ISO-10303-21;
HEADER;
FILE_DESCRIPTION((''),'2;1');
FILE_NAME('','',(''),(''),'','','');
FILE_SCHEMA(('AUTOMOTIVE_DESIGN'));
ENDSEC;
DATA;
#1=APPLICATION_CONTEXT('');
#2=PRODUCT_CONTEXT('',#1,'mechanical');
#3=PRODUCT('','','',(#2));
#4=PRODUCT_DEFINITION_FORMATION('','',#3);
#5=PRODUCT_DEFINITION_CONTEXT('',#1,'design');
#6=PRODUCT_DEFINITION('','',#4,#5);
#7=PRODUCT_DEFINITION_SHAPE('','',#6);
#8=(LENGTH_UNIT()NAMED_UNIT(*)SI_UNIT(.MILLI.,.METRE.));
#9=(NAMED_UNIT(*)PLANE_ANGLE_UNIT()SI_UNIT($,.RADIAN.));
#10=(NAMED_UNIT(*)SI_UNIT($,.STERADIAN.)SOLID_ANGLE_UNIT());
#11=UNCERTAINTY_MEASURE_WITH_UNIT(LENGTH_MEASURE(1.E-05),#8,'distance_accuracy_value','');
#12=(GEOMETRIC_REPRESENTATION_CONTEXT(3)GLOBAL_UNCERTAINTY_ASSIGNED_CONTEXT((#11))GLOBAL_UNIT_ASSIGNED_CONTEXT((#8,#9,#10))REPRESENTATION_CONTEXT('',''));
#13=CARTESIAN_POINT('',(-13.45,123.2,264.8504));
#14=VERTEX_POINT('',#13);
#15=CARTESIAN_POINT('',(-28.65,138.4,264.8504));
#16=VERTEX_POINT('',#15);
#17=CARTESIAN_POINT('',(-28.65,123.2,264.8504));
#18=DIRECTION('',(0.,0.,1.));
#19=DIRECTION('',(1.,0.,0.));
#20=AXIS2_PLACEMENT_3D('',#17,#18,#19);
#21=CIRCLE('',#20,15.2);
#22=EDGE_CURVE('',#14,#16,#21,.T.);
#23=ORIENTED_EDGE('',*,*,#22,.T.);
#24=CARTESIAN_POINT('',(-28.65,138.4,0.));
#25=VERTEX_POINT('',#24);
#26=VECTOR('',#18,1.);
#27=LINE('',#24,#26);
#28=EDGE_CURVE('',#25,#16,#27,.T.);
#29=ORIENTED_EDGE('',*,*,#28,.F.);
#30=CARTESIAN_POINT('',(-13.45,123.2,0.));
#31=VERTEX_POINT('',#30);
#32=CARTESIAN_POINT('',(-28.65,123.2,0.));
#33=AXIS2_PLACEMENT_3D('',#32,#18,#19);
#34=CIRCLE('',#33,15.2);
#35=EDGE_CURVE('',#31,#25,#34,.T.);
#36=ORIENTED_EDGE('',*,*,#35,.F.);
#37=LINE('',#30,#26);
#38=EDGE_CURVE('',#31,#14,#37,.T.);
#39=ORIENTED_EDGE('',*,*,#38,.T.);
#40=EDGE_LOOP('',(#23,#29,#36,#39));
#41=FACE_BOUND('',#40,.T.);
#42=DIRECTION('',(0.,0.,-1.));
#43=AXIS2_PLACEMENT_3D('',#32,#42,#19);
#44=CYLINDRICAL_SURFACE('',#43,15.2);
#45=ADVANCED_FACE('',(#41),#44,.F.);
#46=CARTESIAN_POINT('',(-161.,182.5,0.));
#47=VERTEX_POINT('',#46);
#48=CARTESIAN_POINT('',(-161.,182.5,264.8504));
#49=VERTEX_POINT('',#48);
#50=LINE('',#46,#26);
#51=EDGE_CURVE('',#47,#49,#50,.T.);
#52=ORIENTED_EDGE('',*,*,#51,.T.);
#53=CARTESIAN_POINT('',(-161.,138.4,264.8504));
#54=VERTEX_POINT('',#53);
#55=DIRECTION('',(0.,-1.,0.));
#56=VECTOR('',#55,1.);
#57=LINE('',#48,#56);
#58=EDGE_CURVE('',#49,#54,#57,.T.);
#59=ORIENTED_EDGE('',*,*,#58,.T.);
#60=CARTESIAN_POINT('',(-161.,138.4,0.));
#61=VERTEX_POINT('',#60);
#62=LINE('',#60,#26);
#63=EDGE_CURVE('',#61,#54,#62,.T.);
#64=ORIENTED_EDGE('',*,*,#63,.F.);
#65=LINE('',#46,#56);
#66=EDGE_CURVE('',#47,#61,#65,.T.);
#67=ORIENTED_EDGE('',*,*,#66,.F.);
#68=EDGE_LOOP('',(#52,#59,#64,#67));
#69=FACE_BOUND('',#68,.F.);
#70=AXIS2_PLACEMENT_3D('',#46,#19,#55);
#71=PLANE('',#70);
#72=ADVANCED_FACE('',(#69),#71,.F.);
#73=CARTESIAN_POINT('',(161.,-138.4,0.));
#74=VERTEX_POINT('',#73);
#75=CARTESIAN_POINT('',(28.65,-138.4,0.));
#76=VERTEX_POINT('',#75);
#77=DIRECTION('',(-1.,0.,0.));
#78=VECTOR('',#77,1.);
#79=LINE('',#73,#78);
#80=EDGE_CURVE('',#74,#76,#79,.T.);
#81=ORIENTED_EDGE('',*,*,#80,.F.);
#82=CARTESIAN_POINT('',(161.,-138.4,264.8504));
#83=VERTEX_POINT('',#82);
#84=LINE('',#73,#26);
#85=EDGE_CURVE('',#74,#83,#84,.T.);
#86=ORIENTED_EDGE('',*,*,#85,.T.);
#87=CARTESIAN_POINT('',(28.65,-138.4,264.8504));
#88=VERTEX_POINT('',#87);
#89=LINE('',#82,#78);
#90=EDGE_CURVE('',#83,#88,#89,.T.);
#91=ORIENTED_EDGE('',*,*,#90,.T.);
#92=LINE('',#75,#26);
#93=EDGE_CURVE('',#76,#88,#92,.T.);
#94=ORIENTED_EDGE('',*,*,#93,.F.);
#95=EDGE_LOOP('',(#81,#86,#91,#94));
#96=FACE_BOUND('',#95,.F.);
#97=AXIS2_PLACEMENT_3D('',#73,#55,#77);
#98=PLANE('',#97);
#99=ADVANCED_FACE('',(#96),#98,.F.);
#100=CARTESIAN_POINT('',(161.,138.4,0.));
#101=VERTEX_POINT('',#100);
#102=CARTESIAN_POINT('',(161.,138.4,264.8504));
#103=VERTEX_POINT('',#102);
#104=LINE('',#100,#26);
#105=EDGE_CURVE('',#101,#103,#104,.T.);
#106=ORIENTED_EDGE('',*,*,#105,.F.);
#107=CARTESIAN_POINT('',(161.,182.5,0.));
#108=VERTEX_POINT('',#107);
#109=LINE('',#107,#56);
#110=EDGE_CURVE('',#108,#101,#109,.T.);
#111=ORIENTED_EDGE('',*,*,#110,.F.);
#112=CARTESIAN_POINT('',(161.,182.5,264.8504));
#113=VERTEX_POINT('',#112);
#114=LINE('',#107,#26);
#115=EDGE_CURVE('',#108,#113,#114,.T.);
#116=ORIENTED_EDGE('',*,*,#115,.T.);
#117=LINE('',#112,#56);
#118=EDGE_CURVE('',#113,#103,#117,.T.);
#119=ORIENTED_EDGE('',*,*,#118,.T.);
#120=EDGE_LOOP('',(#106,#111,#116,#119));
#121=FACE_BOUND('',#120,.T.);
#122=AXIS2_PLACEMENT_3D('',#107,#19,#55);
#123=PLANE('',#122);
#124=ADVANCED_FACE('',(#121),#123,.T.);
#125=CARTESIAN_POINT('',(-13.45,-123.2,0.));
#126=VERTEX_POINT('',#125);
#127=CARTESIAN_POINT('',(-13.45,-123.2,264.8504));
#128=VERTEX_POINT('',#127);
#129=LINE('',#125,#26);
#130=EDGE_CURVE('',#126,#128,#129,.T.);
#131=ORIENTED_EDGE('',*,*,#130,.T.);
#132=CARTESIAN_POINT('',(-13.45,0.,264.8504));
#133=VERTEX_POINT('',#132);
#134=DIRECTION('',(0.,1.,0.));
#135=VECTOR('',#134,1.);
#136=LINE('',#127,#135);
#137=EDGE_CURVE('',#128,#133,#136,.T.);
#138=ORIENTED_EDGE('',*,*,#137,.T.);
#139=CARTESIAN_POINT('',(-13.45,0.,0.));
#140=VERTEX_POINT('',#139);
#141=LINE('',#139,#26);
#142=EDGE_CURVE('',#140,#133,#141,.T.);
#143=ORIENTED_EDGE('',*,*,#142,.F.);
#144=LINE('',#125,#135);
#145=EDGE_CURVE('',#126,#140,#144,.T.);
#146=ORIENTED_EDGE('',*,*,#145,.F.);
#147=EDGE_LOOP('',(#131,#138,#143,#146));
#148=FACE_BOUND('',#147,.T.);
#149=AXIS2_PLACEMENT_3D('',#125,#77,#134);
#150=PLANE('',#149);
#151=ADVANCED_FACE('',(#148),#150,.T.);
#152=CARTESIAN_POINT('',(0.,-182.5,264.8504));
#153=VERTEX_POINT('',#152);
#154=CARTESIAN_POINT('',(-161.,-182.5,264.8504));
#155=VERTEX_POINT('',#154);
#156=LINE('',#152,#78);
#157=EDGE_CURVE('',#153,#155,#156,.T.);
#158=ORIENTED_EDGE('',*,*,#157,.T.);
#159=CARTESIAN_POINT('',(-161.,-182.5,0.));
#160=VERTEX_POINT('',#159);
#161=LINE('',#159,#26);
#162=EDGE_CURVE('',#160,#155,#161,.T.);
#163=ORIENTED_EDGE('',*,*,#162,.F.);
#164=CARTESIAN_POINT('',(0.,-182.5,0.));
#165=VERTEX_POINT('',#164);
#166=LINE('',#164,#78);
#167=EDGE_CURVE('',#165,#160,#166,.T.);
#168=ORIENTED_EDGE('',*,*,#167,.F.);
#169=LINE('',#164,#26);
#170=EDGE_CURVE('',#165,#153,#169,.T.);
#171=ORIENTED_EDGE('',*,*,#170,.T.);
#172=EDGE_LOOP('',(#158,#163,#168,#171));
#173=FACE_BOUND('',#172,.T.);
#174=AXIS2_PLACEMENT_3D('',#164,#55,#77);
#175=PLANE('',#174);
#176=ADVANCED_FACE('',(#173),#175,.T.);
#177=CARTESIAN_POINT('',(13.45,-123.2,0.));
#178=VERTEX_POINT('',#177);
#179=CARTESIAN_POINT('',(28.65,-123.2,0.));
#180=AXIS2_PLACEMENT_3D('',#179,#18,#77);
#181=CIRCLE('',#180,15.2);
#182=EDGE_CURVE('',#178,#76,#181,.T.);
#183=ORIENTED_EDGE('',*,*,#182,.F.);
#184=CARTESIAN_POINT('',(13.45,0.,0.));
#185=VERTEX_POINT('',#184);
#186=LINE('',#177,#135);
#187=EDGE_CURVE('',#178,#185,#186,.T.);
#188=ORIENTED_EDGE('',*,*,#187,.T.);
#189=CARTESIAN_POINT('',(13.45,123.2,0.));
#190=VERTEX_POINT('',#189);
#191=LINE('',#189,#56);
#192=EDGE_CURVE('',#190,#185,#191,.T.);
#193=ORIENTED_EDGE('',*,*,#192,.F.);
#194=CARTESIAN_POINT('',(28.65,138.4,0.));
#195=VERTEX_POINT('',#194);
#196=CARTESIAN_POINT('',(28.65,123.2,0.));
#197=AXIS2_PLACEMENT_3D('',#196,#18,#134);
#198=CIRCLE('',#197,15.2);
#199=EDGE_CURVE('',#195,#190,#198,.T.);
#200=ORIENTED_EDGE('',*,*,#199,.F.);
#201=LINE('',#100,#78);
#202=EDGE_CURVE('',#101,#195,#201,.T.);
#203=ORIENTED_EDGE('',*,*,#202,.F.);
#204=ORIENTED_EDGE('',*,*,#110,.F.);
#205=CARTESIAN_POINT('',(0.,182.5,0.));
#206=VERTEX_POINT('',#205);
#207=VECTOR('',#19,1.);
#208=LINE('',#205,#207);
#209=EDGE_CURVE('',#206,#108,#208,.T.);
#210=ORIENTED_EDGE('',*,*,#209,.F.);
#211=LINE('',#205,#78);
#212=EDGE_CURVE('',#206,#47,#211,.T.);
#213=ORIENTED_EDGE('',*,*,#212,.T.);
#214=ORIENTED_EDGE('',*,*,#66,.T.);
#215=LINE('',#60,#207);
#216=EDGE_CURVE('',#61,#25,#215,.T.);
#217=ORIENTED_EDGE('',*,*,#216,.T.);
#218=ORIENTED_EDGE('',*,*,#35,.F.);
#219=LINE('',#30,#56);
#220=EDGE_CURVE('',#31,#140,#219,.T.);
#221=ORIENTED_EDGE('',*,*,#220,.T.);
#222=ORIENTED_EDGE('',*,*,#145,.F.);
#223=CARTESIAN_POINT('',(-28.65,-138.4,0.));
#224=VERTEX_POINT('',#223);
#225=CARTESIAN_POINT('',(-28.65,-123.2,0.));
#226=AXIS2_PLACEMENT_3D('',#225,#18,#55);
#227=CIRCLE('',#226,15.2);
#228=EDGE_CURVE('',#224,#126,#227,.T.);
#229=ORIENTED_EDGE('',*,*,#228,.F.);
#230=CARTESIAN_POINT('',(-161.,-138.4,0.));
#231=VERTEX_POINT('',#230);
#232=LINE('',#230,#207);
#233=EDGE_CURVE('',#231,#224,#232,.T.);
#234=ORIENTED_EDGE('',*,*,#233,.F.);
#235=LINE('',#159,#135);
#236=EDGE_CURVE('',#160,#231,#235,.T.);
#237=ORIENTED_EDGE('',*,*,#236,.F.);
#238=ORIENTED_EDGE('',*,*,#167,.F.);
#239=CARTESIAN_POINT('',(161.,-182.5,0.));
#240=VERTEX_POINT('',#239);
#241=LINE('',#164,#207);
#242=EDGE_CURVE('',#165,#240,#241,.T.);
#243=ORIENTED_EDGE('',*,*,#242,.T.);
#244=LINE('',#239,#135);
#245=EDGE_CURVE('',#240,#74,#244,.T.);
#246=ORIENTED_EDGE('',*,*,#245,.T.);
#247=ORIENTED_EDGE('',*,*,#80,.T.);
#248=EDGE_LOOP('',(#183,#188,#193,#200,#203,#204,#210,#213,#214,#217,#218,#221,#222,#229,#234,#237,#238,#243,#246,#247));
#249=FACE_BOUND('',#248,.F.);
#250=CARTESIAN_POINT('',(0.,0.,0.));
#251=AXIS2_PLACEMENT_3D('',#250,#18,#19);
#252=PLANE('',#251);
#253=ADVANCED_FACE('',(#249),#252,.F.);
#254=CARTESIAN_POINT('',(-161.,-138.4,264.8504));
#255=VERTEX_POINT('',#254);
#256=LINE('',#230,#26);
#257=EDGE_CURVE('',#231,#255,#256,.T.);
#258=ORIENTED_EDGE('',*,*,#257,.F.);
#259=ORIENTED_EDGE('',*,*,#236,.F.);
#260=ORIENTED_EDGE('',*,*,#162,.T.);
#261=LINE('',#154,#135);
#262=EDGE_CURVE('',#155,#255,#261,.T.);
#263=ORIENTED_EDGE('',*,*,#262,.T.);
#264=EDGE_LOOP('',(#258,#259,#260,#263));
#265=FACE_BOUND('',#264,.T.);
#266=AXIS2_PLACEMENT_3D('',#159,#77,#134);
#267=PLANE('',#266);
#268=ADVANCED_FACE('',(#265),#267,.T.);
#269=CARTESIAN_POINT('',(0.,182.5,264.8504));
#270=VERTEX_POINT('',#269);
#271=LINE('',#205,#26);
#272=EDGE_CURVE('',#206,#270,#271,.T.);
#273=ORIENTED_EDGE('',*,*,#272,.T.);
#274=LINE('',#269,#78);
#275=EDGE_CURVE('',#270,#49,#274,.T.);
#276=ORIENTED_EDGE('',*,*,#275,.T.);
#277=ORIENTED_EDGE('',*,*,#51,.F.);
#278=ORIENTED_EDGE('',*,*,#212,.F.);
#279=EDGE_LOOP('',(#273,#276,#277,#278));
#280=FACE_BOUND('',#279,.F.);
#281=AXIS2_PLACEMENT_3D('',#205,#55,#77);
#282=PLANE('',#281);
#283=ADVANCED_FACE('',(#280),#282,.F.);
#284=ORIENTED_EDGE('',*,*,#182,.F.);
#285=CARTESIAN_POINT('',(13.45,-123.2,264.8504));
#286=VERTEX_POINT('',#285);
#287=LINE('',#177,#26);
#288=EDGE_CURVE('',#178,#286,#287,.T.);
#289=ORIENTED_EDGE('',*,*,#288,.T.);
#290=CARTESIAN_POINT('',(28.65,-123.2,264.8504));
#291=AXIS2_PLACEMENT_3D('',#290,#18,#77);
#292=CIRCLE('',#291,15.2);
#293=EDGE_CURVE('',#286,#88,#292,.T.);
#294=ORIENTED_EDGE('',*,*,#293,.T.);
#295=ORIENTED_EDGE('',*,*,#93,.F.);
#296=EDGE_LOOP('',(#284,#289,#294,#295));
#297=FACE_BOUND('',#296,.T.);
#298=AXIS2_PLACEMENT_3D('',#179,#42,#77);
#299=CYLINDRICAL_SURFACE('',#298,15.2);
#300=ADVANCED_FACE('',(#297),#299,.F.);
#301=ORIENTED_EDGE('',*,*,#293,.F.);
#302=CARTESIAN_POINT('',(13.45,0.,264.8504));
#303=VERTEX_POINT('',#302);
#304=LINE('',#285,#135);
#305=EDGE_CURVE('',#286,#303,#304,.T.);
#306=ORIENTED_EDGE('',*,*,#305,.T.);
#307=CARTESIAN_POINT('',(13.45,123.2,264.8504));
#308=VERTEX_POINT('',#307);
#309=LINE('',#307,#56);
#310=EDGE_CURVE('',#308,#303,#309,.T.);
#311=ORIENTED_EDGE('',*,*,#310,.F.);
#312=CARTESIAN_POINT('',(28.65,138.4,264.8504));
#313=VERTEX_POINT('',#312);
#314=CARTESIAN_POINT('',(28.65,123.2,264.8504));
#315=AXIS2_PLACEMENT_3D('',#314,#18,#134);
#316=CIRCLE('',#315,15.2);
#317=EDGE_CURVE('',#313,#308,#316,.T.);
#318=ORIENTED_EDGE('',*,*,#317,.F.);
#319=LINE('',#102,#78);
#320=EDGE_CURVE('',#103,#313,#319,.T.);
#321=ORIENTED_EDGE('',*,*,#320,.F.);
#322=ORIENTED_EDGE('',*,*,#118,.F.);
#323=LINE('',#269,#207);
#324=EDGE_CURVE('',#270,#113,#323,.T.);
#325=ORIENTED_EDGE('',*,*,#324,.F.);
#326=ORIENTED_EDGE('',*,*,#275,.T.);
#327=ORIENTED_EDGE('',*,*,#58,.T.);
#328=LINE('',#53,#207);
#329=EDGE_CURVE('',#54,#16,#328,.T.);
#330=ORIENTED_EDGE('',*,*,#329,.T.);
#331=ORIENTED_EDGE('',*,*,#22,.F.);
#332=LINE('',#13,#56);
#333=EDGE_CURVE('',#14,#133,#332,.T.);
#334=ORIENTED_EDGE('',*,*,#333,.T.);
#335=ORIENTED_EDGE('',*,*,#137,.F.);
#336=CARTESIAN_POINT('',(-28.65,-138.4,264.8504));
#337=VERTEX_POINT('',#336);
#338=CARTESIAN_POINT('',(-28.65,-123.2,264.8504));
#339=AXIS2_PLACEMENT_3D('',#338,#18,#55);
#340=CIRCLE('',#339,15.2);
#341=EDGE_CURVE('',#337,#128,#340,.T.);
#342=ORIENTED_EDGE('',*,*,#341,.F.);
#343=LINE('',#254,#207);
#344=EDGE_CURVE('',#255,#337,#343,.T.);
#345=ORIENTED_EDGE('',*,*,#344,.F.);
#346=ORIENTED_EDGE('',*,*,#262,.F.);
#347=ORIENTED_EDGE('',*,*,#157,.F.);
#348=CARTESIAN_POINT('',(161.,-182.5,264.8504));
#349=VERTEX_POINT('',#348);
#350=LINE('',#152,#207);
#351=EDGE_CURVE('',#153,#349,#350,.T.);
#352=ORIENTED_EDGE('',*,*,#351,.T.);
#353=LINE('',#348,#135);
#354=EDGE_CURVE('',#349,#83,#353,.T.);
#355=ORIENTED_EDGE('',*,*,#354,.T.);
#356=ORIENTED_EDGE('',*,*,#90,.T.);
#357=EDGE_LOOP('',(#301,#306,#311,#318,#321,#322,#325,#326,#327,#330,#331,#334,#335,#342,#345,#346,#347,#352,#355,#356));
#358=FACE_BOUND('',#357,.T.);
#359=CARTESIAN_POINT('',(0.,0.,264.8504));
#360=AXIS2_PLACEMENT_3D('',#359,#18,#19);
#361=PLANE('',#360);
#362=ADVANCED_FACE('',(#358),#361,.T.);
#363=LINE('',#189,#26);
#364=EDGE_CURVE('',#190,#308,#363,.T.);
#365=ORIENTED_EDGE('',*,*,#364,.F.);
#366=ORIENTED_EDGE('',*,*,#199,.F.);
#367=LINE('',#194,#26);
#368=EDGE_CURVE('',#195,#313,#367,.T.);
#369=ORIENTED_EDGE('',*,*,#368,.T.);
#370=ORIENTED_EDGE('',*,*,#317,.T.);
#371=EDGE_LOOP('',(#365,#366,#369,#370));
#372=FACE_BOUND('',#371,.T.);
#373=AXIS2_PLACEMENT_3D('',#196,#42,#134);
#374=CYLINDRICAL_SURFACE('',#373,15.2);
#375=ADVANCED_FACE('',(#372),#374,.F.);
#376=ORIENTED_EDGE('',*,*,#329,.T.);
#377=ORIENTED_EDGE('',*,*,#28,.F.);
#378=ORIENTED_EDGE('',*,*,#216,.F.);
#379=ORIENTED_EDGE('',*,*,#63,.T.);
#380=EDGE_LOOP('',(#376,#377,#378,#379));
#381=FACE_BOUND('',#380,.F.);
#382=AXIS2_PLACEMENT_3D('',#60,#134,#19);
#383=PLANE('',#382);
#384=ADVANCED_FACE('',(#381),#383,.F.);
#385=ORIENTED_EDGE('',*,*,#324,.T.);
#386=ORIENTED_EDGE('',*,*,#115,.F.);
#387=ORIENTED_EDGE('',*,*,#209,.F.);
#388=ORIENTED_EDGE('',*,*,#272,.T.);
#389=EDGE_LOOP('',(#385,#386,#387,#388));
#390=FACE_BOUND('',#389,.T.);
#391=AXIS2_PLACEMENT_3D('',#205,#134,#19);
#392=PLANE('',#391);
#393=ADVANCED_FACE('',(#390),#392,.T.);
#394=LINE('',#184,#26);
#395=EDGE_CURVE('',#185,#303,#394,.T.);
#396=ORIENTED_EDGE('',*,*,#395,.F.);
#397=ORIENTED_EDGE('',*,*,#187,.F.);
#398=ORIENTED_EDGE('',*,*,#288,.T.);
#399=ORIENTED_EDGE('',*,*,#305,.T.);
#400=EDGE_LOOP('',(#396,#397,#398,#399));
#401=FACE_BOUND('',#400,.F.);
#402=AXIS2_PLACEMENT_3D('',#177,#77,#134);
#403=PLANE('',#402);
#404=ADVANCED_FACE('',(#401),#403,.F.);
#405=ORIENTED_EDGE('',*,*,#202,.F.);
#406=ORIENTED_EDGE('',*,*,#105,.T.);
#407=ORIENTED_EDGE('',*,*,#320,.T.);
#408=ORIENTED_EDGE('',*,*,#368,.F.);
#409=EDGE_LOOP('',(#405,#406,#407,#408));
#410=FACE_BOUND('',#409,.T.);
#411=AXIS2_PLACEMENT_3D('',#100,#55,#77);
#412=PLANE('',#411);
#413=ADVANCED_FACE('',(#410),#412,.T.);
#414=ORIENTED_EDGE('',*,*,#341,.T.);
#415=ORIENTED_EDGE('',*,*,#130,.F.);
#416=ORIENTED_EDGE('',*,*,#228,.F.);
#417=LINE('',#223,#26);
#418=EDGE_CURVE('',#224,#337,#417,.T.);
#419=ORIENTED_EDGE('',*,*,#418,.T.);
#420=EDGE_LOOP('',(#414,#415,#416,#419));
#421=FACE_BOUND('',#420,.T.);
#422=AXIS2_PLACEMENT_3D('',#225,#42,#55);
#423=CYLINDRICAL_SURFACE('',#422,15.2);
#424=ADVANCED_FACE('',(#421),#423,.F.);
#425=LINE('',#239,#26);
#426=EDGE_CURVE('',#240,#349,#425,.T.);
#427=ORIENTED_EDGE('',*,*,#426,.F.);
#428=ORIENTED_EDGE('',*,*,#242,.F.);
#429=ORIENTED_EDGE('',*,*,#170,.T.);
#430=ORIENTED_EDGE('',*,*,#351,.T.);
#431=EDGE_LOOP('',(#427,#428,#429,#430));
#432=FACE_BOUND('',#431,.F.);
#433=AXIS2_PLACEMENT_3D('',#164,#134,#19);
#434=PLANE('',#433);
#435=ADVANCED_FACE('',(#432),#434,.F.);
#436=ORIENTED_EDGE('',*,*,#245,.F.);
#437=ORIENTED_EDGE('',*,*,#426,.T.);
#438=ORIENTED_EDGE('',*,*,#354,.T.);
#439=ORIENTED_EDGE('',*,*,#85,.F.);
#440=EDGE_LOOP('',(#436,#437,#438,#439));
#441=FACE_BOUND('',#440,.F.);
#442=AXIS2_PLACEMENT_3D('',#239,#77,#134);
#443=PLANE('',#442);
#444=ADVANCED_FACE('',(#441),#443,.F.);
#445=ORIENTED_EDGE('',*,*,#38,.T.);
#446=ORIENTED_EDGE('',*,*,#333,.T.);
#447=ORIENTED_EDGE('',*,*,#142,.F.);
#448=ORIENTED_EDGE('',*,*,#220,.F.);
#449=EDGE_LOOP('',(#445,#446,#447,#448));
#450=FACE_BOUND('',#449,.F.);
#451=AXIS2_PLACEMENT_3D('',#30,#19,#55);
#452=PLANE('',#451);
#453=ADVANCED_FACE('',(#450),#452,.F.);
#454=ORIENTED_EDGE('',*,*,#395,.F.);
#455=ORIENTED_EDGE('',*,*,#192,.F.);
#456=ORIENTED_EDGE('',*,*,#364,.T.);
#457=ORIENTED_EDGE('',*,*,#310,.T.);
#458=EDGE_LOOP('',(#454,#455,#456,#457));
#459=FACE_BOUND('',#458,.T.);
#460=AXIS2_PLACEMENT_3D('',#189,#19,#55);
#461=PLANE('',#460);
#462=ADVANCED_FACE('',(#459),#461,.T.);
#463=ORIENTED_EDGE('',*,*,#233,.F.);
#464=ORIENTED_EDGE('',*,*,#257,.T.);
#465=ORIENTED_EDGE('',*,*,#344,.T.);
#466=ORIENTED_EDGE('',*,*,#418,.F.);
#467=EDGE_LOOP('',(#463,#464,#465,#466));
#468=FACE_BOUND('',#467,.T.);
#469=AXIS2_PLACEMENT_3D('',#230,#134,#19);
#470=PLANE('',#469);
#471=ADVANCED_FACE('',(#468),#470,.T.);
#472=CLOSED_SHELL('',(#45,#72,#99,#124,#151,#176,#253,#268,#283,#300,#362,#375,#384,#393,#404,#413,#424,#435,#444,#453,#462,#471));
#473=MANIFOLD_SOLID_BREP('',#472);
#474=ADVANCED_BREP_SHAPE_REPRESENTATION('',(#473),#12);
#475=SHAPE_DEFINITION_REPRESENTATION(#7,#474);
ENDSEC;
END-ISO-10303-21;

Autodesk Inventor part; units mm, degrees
ref_plane "YZ Plane" through (0, 0, 0) normal (1, 0, 0) x (0, 1, 0)
ref_plane "Start plane" through (0, 0, 0) normal (0, 0, 1) x (1, 0, 0)
ref_plane "End plane" through (0, 0, 264.8504) normal (0, 0, 1) x (1, 0, 0)
sketch "Sketch" plane through (0, 0, 0) normal (0, 0, 1) x (1, 0, 0)
  line L0 (-161, -182.5) -> (-161, -138.4)
  line L1 (-161, -138.4) -> (-28.65, -138.4)
  line L2 (-13.45, -123.2) -> (-13.45, 0)
  line L3 (-13.45, 0) -> (0, 0) construction
  line L4 (0, 0) -> (0, -182.5) construction
  line L5 (0, -182.5) -> (-161, -182.5)
  line L6 (-60, 0) -> (80, 0) construction
  line L7 (0, -60) -> (0, 80) construction
  line L8 (161, -182.5) -> (161, -138.4)
  line L9 (161, -138.4) -> (28.65, -138.4)
  line L10 (13.45, -123.2) -> (13.45, 0)
  line L11 (13.45, 0) -> (0, 0) construction
  line L12 (0, -182.5) -> (161, -182.5)
  line L13 (-161, 182.5) -> (-161, 138.4)
  line L14 (-161, 138.4) -> (-28.65, 138.4)
  line L15 (-13.45, 123.2) -> (-13.45, 0)
  line L16 (0, 182.5) -> (-161, 182.5)
  line L17 (161, 182.5) -> (161, 138.4)
  line L18 (161, 138.4) -> (28.65, 138.4)
  line L19 (0, 182.5) -> (161, 182.5)
  line L20 (13.45, 123.2) -> (13.45, 0)
  arc A0 (-13.45, 123.2) -> (-28.65, 138.4) centre (-28.65, 123.2) ccw
  arc A1 (28.65, 138.4) -> (13.45, 123.2) centre (28.65, 123.2) ccw
  arc A2 (13.45, -123.2) -> (28.65, -138.4) centre (28.65, -123.2) ccw
  arc A3 (-28.65, -138.4) -> (-13.45, -123.2) centre (-28.65, -123.2) ccw
  line L21 (0, 108) -> (0, -88) construction
  line L22 (-88, 0) -> (108, 0) construction
  point P0 (-13.45, -138.4)
  point P1 (13.45, -138.4)
  point P2 (-13.45, 138.4)
  point P3 (13.45, 138.4)
  dimension "d1" = 182.5
  dimension "d2" = 44.1
  dimension "d3" = 161
  dimension "d4" = 13.45
  dimension "d10" = 15.2
extrude "Body" add sketch "Sketch" along normal up to surface (264.8504 mm away) from surface at 0
sketch "Sketch4" plane through (0, 0, 0) normal (0, 0, 1) x (1, 0, 0)
  line L0 (0, 0) -> (10, 0)
ref_plane "Work Plane3" through (0, 0, 0) normal (0, -1, 0) x (1, 0, 0)
sketch "Sketch5" plane through (0, 0, 0) normal (0, -1, 0) x (1, 0, 0)
  line L0 (-2, 0) -> (12, 0) projected
  line L1 (-2, 264.8504) -> (12, 264.8504) projected
  dimension "d14" = 264.8504
equation "\"d1\" = 0.5 * G_H"
equation "\"d2\" = G_T1"
equation "\"d3\" = 0.5 * G_W"
equation "\"d4\" = 0.5 * G_T"
equation "\"d10\" = G_IR"
equation "\"d5\" = G_L"
equation "\"G_W\" = 322"
equation "\"G_H\" = 365"
equation "\"G_T\" = 26.9"
equation "\"G_T1\" = 44.1"
equation "\"G_IR\" = 15.2"
equation "\"G_L\" = d14"
equation "\"G_OFFSET_START\" = 0"
equation "\"G_OFFSET_END\" = 0"
equation "\"d12\" = G_OFFSET_END + B_L"
equation "\"B_L\" = 264.85039"
properties part number "AS 3679 - 310 UC - 283 - 264.850393700787" material "Steel, Mild"
